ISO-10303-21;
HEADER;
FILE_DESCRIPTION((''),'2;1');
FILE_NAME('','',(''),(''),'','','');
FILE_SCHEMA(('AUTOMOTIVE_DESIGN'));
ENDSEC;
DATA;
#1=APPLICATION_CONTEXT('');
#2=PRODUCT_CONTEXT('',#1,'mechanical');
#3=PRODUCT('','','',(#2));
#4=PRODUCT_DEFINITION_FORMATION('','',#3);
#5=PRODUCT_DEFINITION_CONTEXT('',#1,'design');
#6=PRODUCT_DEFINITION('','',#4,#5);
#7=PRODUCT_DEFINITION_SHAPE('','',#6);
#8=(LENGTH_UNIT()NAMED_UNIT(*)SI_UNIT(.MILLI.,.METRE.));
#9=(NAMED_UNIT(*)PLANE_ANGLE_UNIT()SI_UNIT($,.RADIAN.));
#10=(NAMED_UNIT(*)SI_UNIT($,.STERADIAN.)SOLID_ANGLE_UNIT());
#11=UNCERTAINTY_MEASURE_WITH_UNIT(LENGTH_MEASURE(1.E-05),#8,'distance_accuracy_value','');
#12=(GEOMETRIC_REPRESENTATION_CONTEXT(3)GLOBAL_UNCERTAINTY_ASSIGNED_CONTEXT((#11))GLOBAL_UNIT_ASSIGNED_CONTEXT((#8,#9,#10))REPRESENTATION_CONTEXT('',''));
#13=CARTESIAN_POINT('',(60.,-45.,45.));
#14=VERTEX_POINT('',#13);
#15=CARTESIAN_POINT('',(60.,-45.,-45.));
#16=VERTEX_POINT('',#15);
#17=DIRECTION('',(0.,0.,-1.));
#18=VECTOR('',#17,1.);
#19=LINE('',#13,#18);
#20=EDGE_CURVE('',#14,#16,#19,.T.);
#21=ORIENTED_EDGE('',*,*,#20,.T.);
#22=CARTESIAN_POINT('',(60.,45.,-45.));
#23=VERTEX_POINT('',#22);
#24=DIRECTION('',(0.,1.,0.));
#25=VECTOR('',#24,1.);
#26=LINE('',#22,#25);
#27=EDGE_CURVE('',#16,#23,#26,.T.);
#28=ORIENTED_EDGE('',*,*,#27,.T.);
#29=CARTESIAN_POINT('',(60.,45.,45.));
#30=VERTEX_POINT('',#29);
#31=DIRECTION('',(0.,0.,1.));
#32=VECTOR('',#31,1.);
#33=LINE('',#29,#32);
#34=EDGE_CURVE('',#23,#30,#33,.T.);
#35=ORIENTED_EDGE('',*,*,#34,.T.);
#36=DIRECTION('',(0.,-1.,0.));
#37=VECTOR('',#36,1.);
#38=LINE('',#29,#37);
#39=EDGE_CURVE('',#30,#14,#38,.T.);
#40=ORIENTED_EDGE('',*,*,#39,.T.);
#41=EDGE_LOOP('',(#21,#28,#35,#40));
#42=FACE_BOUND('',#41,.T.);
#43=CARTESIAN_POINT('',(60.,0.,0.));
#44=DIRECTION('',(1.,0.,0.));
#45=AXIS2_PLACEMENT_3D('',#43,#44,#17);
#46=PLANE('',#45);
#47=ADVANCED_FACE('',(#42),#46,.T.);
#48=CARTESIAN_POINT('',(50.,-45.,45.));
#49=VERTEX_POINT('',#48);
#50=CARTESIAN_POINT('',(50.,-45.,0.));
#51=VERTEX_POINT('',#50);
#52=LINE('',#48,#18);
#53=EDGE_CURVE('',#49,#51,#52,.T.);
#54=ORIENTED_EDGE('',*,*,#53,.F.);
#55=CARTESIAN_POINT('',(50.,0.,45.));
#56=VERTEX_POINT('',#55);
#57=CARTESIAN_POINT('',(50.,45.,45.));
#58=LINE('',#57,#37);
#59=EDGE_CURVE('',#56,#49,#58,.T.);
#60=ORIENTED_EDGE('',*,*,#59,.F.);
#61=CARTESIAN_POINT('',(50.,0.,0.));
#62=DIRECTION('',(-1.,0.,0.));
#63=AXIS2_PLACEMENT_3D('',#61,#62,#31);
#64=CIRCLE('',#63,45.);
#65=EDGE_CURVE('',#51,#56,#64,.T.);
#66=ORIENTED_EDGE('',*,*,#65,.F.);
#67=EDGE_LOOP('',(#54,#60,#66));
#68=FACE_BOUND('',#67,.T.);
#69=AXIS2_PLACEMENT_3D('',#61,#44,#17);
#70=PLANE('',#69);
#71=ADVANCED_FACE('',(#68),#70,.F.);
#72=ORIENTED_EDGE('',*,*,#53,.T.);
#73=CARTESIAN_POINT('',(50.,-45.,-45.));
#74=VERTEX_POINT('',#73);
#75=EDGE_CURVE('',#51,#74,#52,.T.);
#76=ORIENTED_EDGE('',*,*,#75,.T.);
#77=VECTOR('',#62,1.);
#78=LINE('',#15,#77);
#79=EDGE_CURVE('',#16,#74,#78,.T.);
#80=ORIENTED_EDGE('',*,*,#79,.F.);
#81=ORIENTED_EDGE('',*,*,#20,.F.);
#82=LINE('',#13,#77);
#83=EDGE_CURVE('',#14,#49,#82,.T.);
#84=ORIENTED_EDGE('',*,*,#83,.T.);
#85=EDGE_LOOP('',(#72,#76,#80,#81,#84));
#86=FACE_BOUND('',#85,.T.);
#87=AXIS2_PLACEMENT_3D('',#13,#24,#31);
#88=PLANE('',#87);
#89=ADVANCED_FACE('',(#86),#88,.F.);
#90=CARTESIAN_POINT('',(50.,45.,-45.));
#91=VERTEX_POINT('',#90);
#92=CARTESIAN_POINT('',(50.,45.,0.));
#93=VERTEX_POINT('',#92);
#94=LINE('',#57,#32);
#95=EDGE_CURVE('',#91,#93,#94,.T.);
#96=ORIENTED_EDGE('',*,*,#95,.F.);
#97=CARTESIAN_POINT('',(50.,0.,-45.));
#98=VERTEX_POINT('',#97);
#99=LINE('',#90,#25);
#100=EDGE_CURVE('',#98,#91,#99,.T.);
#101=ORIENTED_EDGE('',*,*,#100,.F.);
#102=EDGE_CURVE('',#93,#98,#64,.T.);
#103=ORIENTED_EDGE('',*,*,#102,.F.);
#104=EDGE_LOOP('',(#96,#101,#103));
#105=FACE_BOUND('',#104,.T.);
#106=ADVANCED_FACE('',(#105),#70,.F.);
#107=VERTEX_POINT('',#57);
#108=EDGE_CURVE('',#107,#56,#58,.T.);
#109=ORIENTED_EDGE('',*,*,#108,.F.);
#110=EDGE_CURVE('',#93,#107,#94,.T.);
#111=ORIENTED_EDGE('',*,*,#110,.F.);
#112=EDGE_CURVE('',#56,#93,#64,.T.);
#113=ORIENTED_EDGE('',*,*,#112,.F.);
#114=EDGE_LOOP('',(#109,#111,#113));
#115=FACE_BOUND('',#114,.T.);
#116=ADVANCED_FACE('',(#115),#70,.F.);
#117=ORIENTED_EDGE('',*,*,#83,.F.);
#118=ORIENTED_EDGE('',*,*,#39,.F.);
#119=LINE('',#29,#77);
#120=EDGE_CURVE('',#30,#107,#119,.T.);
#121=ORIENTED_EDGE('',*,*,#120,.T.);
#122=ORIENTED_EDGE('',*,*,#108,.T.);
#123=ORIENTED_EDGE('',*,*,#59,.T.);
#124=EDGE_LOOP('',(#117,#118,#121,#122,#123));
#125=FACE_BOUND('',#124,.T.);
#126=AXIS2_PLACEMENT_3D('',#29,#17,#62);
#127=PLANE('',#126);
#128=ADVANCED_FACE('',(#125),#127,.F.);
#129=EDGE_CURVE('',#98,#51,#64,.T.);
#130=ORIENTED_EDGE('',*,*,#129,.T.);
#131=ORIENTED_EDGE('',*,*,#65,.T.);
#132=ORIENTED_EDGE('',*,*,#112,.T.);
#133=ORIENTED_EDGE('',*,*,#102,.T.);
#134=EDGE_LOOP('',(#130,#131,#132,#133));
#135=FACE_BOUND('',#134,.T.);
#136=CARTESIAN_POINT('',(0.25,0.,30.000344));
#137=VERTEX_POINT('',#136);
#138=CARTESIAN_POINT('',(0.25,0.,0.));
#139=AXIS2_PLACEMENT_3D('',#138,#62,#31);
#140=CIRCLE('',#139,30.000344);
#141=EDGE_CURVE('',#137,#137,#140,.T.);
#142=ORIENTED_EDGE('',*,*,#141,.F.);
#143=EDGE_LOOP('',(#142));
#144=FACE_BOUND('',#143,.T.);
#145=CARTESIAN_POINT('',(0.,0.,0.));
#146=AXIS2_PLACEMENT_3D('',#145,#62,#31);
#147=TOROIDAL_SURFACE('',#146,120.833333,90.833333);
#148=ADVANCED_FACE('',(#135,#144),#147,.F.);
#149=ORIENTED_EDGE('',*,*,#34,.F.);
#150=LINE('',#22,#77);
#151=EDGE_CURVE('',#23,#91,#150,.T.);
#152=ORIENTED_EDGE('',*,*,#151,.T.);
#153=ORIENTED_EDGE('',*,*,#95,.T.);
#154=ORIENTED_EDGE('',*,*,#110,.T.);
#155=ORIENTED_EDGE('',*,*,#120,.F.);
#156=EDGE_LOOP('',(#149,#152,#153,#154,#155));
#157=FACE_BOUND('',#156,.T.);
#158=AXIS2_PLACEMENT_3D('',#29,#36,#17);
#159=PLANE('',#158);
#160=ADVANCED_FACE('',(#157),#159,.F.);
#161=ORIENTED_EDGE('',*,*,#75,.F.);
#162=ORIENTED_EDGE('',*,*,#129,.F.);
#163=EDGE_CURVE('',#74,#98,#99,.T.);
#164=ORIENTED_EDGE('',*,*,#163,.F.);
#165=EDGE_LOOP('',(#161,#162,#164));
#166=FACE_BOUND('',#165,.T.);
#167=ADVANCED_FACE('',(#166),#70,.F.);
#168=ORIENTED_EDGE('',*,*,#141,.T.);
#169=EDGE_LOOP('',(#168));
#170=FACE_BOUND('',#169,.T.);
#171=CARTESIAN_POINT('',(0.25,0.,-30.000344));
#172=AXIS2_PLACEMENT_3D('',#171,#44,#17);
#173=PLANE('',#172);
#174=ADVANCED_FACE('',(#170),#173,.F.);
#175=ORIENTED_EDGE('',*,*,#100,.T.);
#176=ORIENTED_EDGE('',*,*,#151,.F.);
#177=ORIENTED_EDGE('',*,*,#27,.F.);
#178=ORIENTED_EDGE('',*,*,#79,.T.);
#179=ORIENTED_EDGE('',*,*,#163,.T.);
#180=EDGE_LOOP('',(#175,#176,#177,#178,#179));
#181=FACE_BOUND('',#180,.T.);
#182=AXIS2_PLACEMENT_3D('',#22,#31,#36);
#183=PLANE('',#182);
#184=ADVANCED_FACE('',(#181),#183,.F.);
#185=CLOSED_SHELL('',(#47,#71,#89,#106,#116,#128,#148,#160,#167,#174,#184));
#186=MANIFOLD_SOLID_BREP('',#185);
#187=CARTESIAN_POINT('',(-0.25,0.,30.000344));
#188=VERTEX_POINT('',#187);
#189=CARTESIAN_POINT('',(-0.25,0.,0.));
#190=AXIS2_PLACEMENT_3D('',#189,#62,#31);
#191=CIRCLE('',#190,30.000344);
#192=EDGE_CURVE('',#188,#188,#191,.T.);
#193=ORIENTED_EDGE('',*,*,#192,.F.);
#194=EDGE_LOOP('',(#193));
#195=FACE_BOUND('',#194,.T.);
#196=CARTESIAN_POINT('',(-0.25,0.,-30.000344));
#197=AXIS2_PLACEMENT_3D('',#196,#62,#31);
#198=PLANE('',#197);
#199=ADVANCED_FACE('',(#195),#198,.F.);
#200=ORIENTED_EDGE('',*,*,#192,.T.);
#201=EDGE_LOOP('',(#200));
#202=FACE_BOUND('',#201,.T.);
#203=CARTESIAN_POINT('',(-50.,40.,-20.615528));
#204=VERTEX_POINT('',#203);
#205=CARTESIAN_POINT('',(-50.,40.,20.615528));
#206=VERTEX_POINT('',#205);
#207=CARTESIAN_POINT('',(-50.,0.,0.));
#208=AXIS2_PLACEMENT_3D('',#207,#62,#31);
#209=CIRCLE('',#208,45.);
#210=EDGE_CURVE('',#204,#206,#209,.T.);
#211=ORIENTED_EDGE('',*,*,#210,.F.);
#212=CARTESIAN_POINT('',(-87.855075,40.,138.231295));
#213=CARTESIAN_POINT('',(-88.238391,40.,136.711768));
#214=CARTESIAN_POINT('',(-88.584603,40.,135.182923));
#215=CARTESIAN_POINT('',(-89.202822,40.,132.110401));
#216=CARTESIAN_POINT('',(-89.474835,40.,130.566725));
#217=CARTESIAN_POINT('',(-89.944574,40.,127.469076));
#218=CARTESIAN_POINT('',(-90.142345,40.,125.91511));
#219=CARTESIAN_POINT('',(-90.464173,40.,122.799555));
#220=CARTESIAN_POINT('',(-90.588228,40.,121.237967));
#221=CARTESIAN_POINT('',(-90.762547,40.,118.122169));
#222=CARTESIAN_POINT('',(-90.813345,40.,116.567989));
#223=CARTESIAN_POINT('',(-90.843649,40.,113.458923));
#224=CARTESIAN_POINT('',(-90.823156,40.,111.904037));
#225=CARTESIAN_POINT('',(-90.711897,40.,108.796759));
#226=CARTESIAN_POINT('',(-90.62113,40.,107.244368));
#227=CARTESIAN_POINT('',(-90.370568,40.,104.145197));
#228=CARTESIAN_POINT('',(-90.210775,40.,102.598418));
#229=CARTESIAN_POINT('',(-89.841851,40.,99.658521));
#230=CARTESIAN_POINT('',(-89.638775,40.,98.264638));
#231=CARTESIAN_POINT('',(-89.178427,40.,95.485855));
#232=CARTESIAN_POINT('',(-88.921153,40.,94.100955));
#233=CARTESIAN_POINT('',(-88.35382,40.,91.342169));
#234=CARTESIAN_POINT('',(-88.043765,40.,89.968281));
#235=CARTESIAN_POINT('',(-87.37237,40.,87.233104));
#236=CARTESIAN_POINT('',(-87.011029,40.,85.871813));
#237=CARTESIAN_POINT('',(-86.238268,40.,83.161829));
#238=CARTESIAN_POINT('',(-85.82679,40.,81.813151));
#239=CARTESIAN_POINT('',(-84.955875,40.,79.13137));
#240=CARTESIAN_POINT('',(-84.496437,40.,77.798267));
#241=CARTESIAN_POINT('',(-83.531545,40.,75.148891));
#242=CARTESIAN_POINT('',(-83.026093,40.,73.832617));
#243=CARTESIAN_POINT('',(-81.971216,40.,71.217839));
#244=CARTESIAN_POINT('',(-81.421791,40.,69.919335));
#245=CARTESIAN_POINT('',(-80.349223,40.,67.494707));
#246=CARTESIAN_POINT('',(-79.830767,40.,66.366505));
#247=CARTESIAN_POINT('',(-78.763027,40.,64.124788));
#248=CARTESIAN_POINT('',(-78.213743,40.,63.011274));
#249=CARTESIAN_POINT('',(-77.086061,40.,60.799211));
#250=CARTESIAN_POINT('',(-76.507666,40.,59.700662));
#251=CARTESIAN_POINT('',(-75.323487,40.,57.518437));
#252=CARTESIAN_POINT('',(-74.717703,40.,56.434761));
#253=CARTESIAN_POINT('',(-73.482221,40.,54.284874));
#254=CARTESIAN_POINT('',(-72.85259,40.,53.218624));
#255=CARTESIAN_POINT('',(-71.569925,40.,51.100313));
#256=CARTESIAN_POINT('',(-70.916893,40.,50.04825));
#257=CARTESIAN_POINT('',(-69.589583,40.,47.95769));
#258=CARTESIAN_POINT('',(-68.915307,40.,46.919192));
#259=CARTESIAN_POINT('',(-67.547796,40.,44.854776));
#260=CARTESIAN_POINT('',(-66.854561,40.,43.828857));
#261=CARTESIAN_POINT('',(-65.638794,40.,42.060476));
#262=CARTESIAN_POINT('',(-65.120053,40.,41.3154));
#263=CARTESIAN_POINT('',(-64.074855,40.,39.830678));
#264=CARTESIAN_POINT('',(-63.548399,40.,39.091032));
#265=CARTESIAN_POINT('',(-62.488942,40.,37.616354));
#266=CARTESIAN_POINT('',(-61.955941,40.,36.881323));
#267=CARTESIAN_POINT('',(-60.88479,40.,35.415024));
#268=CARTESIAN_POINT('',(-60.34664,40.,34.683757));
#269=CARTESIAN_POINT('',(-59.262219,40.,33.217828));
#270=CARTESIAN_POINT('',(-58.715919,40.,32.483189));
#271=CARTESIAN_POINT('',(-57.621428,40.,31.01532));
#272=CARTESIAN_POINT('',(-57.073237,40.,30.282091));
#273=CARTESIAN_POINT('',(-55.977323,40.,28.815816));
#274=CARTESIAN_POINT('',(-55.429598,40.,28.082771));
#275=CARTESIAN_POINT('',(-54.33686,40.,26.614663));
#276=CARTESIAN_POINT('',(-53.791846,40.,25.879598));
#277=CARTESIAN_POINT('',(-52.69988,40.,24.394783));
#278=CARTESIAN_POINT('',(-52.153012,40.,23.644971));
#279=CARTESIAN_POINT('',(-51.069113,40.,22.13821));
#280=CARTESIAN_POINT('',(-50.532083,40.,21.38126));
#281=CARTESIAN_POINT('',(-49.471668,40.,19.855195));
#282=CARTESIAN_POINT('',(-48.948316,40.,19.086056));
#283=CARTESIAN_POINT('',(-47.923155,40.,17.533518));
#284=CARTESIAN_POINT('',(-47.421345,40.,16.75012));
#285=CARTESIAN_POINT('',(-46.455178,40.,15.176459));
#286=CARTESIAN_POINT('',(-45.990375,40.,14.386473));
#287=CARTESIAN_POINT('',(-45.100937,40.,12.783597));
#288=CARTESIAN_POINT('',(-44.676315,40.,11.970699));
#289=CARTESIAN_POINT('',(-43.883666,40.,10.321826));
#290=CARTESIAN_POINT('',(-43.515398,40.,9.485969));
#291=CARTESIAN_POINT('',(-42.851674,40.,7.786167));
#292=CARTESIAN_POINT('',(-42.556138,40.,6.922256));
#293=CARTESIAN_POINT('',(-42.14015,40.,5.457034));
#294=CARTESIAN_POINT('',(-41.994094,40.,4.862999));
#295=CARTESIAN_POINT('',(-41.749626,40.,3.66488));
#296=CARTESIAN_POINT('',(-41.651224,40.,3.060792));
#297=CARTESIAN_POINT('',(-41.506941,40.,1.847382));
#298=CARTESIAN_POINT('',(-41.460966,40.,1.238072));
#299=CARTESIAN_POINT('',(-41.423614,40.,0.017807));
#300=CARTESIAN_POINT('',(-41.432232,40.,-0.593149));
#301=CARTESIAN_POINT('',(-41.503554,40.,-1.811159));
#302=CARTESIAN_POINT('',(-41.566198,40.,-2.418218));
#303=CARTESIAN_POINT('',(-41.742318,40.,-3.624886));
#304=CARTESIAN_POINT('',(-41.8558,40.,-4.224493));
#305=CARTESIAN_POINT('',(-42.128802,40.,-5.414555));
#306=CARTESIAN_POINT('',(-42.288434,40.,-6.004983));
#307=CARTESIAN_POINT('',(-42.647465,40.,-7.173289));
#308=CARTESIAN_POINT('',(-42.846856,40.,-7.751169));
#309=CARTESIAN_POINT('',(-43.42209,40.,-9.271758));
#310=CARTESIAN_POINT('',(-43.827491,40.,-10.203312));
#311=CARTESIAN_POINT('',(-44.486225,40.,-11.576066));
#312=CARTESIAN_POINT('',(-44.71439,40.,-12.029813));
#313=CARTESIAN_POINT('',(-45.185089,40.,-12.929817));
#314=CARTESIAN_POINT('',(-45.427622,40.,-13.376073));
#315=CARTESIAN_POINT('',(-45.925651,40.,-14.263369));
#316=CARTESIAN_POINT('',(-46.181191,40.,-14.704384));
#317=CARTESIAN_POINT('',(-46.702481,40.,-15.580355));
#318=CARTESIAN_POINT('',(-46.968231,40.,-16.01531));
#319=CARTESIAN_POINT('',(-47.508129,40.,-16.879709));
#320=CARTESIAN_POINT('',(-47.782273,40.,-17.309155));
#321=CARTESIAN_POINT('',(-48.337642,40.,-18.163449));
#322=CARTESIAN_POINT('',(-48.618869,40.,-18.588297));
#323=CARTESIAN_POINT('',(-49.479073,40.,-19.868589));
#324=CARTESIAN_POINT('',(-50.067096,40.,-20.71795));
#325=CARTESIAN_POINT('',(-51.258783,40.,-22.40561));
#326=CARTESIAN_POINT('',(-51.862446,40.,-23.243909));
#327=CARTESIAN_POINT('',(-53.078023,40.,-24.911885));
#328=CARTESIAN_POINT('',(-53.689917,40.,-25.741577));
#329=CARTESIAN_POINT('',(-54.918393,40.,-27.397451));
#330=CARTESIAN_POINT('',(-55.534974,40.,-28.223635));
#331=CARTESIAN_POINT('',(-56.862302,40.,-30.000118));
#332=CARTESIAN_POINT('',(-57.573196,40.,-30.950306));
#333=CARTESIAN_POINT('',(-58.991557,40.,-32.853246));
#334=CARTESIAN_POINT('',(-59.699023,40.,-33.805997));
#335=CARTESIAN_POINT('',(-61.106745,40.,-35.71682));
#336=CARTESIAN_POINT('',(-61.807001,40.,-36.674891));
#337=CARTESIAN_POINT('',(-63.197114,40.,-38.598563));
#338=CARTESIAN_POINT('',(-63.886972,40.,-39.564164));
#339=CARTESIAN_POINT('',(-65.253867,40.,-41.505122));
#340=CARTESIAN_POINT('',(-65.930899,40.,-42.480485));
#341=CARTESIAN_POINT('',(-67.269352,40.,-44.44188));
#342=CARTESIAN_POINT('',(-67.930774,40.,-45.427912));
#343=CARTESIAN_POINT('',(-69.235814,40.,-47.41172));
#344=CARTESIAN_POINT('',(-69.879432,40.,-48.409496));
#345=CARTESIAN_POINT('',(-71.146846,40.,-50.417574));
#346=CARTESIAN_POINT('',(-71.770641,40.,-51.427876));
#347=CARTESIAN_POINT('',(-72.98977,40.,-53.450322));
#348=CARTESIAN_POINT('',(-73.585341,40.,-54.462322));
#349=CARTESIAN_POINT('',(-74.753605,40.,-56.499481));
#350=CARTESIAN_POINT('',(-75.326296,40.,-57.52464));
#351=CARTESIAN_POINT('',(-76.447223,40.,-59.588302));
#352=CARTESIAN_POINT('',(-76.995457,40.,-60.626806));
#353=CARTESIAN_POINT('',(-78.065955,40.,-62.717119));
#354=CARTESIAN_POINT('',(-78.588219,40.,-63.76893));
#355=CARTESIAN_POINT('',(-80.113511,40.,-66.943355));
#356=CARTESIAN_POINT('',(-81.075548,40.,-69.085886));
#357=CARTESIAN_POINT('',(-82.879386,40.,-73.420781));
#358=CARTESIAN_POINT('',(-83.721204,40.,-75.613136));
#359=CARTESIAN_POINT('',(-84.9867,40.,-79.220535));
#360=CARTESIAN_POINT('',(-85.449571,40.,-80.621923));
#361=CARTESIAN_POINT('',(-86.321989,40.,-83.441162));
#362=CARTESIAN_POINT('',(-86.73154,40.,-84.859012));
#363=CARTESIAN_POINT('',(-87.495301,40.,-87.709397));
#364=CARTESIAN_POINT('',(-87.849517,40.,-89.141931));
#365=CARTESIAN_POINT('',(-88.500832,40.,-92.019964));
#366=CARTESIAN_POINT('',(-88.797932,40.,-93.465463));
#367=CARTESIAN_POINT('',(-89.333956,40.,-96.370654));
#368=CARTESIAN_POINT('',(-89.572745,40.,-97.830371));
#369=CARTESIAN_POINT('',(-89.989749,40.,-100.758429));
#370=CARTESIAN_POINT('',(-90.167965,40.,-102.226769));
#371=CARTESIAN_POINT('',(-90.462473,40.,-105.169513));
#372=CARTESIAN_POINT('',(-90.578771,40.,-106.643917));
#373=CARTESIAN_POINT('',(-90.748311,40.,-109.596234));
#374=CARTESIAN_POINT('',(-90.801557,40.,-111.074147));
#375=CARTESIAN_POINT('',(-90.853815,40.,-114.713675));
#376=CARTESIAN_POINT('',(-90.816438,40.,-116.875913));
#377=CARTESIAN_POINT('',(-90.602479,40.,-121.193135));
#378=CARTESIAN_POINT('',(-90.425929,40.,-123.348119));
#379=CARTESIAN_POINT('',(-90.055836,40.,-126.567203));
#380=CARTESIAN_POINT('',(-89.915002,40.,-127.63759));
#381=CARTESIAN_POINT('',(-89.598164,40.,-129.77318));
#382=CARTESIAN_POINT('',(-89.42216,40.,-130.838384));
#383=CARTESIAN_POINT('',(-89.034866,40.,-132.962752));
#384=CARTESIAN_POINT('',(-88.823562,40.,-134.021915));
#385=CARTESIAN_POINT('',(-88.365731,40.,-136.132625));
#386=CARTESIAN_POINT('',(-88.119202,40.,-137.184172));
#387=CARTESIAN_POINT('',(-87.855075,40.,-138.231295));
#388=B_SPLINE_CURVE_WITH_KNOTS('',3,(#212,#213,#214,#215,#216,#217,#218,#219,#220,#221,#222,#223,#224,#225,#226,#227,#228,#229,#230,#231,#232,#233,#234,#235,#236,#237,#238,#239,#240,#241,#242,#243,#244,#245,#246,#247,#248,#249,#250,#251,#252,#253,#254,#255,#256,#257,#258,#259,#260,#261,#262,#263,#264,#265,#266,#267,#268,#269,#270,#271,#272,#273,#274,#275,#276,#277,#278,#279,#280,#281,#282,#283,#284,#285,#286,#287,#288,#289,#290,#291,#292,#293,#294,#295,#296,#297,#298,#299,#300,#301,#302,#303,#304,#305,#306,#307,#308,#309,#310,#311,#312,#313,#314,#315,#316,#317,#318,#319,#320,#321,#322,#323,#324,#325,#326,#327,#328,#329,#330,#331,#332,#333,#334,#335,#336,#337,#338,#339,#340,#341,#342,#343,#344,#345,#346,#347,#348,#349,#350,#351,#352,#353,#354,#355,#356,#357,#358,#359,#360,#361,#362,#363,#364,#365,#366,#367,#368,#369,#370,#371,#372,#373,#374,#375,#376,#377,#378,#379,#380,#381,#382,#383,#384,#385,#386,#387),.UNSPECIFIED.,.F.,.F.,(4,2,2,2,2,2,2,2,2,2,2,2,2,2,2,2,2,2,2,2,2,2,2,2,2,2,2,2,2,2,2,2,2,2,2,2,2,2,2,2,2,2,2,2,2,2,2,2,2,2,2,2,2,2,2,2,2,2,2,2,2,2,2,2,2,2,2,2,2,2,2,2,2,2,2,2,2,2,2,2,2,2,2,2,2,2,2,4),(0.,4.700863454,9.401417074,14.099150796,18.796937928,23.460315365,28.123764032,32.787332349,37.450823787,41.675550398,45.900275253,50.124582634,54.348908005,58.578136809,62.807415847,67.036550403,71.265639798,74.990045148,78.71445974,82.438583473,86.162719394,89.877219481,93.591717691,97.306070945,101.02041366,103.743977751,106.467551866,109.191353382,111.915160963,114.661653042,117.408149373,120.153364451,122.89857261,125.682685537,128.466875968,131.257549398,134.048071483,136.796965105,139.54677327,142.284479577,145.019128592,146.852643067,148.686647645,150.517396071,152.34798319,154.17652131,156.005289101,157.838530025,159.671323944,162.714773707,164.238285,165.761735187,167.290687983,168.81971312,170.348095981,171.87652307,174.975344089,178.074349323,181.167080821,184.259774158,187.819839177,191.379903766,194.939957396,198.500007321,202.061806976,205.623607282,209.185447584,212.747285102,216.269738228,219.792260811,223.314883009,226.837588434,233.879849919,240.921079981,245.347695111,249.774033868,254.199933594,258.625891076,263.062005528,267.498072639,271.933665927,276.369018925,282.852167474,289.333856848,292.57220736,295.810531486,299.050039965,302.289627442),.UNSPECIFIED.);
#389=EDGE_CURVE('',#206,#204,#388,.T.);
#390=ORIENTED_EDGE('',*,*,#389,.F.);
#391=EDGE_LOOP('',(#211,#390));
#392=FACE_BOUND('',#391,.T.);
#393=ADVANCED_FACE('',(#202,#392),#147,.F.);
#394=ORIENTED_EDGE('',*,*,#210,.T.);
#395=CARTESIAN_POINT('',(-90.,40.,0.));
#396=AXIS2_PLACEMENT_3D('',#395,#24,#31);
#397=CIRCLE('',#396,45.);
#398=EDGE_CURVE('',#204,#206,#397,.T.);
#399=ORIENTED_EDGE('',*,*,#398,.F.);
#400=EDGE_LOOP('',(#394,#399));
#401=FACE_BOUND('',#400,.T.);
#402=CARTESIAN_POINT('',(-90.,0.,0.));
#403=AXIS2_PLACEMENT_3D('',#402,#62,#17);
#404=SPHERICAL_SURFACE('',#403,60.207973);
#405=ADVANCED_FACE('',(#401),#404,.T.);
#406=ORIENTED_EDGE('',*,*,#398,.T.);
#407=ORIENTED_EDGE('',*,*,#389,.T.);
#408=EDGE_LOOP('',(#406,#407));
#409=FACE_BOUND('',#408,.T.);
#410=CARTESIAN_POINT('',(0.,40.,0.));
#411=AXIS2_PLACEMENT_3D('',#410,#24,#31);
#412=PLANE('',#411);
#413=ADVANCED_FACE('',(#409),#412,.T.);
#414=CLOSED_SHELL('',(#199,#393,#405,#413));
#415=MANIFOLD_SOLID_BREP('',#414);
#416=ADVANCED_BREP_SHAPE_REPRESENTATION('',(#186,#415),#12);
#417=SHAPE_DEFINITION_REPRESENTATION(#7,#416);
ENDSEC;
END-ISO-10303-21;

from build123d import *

# Parameters (mm, degrees)
SKETCH3_W               = 90
SKETCH3_H               = 90
BOSS_EXTRUDE1_DEPTH     = 10
CUT_EXTRUDE1_DEPTH      = 20
CUT_EXTRUDE1_DEPTH_BACK = 20
SKETCH7_W               = 132.063759526
SKETCH7_H               = 133.30964405


with BuildPart() as part:
    # Sketch2 → Revolve1 (revolve)
    with BuildSketch(Plane(origin=(0, 0, 0), x_dir=(1, 0, 0), z_dir=(0, 1, 0))):
        with BuildLine():
            Line((-50, 0), (-0.25, 0))
            Line((-0.25, 0), (-0.25, 30.000344037))
            ThreePointArc((-0.25, 30.000344037), (-26.220469957, 33.866779994), (-50, 45))
            Line((-50, 45), (-50, 0))
        make_face()
        with BuildLine():
            Line((50, 45), (50, 0))
            Line((50, 0), (0.25, 0))
            Line((0.25, 0), (0.25, 30.000344037))
            ThreePointArc((0.25, 30.000344037), (26.220469957, 33.866779994), (50, 45))
        make_face()
    revolve(axis=Axis((-50, 0, 0), (1, 0, 0)))

    # Sketch3 → Boss-Extrude1 (add)
    with BuildSketch(Plane(origin=(50, 0, 0), x_dir=(0, 0, -1), z_dir=(1, 0, 0))):
        Rectangle(SKETCH3_W, SKETCH3_H)
    extrude(amount=BOSS_EXTRUDE1_DEPTH)

    # Sketch5 → Revolve8 (revolve)
    with BuildSketch(Plane(origin=(0, 0, 0), x_dir=(1, 0, 0), z_dir=(0, 1, 0))):
        with BuildLine():
            Line((-150.207972894, 0), (-29.792027106, 0))
            ThreePointArc((-29.792027106, 0), (-90, 60.207972894), (-150.207972894, 0))
        make_face()
    revolve(axis=Axis((-150.207972894, 0, 0), (1, 0, 0)))

    # Sketch7 → Cut-Extrude1 (cut, two sides: drawn at the far end of the back side and taken through both)
    with BuildSketch(Plane(origin=(0, 60, 0), x_dir=(1, 0, 0), z_dir=(0, 1, 0)).offset(-CUT_EXTRUDE1_DEPTH_BACK)):
        with Locations((-91.700067638, 0)):
            Rectangle(SKETCH7_W, SKETCH7_H)
    extrude(amount=CUT_EXTRUDE1_DEPTH + CUT_EXTRUDE1_DEPTH_BACK, mode=Mode.SUBTRACT)


solid = part.part
